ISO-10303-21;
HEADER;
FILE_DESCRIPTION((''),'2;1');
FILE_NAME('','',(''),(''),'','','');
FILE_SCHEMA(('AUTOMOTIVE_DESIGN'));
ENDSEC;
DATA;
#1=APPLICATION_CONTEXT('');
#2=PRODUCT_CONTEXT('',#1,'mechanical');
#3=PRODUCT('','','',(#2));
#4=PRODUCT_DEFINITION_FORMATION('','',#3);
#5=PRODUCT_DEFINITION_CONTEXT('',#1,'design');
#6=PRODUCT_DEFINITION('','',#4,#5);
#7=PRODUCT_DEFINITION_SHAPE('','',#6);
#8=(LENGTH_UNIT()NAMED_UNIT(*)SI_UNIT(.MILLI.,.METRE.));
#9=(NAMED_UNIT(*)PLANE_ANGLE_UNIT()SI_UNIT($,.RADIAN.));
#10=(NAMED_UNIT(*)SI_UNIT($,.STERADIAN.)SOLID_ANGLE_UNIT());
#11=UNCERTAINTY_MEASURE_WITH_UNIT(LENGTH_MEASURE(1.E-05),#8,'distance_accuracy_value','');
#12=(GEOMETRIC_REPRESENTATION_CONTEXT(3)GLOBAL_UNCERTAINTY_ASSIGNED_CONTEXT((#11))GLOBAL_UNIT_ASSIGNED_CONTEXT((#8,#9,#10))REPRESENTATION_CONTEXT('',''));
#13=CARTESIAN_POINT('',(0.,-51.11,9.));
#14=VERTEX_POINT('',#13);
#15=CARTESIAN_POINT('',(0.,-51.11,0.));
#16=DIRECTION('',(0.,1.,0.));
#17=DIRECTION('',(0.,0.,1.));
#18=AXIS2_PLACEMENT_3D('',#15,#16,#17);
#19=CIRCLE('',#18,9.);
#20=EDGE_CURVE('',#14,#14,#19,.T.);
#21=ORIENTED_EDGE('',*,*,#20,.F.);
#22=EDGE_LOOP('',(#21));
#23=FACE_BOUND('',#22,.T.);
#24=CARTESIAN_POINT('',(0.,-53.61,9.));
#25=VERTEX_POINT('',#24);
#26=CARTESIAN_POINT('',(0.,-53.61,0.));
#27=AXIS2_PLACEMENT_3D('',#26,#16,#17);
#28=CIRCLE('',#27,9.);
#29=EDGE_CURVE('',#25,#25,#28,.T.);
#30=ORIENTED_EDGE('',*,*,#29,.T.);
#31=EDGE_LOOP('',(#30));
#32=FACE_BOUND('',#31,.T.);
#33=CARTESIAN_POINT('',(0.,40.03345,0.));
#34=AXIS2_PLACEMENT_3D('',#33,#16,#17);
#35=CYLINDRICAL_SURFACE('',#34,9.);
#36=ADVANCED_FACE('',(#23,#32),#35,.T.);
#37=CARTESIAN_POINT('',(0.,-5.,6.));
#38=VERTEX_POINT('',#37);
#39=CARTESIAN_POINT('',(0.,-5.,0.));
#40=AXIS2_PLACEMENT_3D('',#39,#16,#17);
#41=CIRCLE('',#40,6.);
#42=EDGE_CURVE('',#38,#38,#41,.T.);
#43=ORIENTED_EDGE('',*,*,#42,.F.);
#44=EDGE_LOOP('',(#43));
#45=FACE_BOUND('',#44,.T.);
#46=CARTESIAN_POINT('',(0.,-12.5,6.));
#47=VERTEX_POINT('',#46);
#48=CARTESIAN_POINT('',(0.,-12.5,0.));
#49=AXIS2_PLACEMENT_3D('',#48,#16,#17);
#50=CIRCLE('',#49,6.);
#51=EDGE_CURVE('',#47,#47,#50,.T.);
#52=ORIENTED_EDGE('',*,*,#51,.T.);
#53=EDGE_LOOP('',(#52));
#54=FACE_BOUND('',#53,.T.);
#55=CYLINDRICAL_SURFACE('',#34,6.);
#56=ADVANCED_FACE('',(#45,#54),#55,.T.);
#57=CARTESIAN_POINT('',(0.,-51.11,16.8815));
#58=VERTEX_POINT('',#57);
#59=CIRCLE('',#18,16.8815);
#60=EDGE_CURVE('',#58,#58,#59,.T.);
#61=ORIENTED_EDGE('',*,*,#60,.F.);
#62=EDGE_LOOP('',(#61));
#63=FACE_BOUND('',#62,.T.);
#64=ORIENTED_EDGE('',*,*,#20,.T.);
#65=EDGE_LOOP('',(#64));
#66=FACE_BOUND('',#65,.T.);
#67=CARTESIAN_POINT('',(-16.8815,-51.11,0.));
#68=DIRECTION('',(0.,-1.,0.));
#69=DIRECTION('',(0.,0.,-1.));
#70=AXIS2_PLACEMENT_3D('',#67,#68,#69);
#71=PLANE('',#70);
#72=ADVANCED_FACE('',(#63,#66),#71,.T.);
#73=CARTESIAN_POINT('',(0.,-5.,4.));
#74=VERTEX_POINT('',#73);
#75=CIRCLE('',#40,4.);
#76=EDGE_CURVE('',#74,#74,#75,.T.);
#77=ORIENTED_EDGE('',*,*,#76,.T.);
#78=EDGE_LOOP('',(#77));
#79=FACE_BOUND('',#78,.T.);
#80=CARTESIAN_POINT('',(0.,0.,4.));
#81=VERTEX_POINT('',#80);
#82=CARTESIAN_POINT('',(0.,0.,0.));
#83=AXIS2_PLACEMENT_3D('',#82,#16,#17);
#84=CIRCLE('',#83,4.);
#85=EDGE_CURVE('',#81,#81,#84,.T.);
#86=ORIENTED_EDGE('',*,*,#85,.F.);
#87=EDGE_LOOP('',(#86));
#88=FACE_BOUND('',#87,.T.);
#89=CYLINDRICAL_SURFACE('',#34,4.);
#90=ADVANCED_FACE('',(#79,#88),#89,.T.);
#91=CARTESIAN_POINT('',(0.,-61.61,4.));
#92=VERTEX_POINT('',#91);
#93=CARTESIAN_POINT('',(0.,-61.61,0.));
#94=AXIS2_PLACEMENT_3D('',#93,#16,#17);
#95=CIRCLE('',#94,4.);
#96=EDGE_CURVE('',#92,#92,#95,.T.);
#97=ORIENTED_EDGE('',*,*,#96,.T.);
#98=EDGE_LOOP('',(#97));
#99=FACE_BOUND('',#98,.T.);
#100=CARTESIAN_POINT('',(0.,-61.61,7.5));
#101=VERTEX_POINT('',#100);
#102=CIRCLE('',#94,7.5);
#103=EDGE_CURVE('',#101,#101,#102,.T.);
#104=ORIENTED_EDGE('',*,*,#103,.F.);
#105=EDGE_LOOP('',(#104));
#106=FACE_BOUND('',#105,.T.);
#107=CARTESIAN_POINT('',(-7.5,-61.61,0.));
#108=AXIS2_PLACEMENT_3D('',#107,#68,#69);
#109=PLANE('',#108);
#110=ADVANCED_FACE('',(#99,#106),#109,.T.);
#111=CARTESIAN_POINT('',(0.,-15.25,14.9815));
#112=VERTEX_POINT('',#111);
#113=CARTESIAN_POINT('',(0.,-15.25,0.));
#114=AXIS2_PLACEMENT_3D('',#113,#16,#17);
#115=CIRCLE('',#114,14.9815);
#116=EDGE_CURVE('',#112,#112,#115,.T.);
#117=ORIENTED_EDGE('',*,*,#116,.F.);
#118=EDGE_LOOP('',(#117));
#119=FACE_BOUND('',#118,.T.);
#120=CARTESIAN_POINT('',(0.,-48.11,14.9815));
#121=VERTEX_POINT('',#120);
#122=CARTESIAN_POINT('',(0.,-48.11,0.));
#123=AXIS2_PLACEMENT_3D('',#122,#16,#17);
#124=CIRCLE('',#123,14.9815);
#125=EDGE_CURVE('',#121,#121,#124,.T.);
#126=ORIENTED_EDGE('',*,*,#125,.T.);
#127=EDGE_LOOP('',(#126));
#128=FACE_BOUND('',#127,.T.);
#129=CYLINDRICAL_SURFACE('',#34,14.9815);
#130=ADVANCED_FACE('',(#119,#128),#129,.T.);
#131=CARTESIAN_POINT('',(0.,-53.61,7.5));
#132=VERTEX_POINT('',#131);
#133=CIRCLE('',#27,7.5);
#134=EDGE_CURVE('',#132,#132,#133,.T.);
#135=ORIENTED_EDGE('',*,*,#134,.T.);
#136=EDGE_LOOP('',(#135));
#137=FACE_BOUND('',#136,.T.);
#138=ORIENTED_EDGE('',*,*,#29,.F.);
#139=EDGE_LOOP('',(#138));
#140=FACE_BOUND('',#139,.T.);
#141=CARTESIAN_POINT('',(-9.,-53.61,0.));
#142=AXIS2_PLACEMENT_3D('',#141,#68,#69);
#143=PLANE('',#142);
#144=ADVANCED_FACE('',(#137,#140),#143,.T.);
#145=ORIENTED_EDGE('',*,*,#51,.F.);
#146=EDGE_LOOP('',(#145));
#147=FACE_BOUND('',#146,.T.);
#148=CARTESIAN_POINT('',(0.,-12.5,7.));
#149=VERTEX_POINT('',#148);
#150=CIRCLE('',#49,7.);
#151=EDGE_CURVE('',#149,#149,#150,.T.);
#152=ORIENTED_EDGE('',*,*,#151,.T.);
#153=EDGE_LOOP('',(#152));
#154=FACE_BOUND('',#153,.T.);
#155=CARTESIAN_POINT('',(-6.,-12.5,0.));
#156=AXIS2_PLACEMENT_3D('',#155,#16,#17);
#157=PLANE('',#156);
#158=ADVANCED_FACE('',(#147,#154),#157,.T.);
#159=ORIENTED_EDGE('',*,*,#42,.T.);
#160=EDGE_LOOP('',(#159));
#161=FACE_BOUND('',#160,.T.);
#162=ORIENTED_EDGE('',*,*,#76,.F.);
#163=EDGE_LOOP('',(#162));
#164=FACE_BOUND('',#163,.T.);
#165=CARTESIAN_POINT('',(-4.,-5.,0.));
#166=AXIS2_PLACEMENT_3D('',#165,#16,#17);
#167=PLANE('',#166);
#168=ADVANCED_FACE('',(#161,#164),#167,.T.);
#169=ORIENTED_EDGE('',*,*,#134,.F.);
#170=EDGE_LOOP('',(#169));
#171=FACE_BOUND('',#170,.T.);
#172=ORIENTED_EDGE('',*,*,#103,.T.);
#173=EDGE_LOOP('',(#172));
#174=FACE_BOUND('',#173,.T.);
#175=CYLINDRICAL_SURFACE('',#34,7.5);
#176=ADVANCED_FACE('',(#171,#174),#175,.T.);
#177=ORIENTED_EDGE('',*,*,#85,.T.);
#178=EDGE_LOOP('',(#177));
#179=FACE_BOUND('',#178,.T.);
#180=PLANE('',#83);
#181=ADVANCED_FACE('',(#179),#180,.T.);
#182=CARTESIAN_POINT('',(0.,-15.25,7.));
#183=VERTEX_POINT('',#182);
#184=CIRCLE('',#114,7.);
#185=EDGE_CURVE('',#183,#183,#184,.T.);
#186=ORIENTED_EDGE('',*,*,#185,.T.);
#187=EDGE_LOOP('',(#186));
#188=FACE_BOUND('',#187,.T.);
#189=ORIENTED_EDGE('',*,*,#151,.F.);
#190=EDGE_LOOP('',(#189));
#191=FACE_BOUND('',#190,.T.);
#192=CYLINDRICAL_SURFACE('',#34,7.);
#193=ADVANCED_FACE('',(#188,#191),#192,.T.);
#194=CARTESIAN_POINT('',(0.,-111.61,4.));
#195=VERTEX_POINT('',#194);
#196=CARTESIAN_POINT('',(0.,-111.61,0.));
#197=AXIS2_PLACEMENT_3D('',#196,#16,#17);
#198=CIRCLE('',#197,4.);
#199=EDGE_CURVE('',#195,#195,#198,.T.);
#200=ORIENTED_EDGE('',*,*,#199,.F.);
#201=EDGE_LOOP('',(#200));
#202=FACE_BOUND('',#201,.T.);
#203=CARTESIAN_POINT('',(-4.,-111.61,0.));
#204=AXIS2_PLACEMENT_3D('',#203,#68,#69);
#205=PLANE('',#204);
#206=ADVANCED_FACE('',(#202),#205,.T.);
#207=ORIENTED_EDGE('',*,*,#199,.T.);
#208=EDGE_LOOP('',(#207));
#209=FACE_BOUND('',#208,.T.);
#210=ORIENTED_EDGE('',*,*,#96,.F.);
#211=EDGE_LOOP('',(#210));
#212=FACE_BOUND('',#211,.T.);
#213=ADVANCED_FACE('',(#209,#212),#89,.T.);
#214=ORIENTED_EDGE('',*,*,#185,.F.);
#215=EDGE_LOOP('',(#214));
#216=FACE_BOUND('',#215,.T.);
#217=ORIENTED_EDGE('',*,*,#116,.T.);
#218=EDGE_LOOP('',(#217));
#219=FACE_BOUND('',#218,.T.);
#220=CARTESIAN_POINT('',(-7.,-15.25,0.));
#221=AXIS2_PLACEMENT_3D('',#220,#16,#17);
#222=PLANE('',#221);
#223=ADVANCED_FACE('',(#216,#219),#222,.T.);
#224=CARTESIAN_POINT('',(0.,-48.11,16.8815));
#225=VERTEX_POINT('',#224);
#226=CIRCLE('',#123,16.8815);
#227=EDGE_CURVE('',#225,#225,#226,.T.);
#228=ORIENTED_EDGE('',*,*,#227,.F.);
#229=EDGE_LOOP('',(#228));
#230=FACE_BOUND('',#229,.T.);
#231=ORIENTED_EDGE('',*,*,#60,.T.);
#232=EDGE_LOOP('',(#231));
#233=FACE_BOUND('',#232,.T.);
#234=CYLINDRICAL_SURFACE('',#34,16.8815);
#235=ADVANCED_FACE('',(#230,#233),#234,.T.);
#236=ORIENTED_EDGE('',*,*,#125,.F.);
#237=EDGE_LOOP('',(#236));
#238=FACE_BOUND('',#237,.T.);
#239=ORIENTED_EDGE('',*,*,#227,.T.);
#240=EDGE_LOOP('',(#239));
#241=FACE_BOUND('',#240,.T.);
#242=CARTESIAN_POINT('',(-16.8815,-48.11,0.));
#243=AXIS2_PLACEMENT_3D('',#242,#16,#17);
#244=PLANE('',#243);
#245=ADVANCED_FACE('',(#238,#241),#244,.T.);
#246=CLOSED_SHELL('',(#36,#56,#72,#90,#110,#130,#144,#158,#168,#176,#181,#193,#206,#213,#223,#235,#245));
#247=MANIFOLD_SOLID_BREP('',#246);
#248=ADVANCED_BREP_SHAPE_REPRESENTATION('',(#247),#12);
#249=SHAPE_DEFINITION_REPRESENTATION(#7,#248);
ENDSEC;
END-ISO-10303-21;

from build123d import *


with BuildPart() as part:
    # Sketch2 → Revolve1 (revolve)
    with BuildSketch(Plane.XY, mode=Mode.PRIVATE) as revolve1_sk:
        Polygon((0, 0), (-4, 0), (-4, -5), (-6, -5), (-6, -12.5), (-7, -12.5), (-7, -15.25), (-14.9815, -15.25), (-14.9815, -48.11), (-16.8815, -48.11), (-16.8815, -51.11), (-9, -51.11), (-9, -53.61), (-7.5, -53.61), (-7.5, -61.61), (-4, -61.61), (-4, -111.61), (0, -111.61), align=None)
    revolve(revolve1_sk.sketch.rotate(Axis((0, 40.033449689, 0), (0, -1, 0)), 270), axis=Axis((0, 40.033449689, 0), (0, -1, 0)))


solid = part.part
